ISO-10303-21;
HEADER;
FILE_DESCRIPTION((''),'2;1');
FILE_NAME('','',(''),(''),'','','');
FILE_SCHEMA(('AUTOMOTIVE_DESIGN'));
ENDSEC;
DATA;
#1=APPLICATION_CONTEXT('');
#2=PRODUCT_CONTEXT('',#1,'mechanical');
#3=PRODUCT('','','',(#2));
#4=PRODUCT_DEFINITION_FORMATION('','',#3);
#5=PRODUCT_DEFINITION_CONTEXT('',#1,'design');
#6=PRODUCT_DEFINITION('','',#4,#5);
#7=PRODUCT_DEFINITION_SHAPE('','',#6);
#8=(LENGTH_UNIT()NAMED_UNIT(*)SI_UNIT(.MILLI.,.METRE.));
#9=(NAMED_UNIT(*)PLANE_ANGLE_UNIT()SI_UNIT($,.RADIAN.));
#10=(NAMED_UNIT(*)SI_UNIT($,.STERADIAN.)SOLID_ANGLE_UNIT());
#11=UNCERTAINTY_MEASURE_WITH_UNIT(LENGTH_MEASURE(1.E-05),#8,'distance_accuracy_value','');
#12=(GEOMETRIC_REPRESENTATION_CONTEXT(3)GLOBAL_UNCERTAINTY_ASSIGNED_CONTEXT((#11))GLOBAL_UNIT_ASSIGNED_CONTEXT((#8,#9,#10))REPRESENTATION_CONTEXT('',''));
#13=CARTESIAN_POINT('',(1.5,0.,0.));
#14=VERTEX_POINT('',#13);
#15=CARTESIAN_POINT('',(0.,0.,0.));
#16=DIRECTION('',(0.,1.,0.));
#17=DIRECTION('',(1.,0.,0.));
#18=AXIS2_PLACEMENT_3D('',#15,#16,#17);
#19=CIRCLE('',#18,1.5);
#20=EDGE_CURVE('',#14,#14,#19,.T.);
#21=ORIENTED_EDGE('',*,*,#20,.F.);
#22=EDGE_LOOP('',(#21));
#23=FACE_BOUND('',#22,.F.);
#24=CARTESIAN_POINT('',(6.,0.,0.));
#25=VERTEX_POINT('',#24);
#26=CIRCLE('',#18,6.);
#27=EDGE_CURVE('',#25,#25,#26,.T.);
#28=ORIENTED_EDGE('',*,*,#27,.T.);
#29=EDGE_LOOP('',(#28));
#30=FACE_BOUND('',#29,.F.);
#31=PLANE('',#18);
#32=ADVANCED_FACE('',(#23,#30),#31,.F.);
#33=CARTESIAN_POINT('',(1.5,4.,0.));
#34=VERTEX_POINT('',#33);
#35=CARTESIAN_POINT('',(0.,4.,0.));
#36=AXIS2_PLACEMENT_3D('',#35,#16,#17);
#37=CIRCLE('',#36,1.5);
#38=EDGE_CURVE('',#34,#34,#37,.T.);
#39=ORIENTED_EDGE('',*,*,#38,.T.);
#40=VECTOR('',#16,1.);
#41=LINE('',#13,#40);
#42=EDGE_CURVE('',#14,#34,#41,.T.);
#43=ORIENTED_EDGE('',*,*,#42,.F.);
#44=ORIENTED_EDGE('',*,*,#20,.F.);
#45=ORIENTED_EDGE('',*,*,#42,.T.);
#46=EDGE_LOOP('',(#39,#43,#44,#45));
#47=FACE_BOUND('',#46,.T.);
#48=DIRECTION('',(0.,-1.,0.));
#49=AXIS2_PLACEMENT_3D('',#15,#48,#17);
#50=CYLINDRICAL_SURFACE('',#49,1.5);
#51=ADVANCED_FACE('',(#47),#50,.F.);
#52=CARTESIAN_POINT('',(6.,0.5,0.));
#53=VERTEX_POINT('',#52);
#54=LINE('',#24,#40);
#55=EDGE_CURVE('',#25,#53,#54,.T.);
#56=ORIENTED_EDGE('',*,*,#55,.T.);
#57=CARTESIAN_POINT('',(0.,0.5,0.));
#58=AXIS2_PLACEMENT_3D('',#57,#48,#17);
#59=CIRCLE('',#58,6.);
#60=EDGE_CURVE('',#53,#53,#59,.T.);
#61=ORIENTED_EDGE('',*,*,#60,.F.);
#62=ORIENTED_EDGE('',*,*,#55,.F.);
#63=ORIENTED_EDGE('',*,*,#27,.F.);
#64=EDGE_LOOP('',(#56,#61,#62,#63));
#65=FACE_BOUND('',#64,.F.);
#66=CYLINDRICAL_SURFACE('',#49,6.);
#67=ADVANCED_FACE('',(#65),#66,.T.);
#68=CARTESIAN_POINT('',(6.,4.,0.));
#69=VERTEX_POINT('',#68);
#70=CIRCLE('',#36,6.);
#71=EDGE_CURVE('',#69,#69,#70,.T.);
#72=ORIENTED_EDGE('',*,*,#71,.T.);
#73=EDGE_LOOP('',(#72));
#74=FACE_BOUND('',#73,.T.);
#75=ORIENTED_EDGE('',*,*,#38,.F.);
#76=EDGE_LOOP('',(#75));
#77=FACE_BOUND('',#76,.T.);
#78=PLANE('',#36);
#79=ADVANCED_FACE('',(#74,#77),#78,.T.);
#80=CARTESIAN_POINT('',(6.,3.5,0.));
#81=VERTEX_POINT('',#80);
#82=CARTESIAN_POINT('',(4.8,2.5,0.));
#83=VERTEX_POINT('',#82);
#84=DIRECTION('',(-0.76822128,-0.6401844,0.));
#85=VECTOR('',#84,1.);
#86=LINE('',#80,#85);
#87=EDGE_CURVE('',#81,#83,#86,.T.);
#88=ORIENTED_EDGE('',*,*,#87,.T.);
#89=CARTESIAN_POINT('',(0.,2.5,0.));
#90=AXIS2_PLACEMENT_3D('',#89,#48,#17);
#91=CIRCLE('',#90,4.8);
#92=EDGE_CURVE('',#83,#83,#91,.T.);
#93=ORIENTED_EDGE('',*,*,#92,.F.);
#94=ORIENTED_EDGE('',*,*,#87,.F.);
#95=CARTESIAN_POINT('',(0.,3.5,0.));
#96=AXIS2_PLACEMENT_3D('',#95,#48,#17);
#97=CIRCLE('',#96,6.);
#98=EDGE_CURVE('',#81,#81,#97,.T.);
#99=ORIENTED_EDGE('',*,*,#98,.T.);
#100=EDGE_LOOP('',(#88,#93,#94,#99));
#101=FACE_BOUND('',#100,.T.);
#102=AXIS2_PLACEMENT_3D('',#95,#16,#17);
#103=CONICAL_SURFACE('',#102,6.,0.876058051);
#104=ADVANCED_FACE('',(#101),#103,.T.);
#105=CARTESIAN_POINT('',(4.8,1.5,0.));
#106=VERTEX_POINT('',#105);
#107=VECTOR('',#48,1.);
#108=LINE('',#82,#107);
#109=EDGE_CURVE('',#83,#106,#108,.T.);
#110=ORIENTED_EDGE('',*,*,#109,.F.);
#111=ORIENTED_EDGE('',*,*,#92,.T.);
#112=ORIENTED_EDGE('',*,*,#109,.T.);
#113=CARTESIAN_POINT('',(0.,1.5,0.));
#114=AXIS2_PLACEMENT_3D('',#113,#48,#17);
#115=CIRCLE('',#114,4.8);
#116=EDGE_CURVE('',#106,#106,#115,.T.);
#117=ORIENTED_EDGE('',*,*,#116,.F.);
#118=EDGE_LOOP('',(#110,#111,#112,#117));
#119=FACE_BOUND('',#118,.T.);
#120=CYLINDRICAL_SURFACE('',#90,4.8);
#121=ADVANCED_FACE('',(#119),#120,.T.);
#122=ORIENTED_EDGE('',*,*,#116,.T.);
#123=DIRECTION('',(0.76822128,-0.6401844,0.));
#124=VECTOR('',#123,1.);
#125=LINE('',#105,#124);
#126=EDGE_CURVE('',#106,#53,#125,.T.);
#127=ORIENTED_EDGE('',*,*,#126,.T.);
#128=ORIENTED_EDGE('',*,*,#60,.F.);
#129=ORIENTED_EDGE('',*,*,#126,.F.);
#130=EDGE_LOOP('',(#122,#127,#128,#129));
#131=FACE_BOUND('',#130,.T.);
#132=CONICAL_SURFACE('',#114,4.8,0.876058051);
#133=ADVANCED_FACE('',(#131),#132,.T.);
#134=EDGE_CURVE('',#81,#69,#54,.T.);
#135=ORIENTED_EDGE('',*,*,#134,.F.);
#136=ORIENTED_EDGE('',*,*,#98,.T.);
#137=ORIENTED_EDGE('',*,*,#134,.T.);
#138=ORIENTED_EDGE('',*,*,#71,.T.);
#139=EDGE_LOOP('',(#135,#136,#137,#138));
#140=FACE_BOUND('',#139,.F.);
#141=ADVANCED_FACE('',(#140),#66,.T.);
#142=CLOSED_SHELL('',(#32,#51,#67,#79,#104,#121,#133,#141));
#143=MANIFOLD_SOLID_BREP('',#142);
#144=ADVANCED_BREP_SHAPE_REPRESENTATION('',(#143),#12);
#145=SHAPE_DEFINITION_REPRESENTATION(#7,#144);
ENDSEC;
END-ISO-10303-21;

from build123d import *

# Parameters (mm, degrees)
SKETCH1_R           = 6
SKETCH1_R_2         = 1.5
BOSS_EXTRUDE1_DEPTH = 4


with BuildPart() as part:
    # Sketch1 → Boss-Extrude1 (new body)
    with BuildSketch(Plane(origin=(0, 0, 0), x_dir=(1, 0, 0), z_dir=(0, 1, 0))):
        Circle(SKETCH1_R)
        Circle(SKETCH1_R_2, mode=Mode.SUBTRACT)
    extrude(amount=BOSS_EXTRUDE1_DEPTH)

    # Sketch6 → Cut-Revolve1 (revolve, cut)
    with BuildSketch(Plane.XY):
        Polygon((6, 0.5), (6, 3.5), (4.8, 2.5), (4.8, 1.5), align=None)
    revolve(axis=Axis((0, 4, 0), (0, -1, 0)), mode=Mode.SUBTRACT)


solid = part.part
